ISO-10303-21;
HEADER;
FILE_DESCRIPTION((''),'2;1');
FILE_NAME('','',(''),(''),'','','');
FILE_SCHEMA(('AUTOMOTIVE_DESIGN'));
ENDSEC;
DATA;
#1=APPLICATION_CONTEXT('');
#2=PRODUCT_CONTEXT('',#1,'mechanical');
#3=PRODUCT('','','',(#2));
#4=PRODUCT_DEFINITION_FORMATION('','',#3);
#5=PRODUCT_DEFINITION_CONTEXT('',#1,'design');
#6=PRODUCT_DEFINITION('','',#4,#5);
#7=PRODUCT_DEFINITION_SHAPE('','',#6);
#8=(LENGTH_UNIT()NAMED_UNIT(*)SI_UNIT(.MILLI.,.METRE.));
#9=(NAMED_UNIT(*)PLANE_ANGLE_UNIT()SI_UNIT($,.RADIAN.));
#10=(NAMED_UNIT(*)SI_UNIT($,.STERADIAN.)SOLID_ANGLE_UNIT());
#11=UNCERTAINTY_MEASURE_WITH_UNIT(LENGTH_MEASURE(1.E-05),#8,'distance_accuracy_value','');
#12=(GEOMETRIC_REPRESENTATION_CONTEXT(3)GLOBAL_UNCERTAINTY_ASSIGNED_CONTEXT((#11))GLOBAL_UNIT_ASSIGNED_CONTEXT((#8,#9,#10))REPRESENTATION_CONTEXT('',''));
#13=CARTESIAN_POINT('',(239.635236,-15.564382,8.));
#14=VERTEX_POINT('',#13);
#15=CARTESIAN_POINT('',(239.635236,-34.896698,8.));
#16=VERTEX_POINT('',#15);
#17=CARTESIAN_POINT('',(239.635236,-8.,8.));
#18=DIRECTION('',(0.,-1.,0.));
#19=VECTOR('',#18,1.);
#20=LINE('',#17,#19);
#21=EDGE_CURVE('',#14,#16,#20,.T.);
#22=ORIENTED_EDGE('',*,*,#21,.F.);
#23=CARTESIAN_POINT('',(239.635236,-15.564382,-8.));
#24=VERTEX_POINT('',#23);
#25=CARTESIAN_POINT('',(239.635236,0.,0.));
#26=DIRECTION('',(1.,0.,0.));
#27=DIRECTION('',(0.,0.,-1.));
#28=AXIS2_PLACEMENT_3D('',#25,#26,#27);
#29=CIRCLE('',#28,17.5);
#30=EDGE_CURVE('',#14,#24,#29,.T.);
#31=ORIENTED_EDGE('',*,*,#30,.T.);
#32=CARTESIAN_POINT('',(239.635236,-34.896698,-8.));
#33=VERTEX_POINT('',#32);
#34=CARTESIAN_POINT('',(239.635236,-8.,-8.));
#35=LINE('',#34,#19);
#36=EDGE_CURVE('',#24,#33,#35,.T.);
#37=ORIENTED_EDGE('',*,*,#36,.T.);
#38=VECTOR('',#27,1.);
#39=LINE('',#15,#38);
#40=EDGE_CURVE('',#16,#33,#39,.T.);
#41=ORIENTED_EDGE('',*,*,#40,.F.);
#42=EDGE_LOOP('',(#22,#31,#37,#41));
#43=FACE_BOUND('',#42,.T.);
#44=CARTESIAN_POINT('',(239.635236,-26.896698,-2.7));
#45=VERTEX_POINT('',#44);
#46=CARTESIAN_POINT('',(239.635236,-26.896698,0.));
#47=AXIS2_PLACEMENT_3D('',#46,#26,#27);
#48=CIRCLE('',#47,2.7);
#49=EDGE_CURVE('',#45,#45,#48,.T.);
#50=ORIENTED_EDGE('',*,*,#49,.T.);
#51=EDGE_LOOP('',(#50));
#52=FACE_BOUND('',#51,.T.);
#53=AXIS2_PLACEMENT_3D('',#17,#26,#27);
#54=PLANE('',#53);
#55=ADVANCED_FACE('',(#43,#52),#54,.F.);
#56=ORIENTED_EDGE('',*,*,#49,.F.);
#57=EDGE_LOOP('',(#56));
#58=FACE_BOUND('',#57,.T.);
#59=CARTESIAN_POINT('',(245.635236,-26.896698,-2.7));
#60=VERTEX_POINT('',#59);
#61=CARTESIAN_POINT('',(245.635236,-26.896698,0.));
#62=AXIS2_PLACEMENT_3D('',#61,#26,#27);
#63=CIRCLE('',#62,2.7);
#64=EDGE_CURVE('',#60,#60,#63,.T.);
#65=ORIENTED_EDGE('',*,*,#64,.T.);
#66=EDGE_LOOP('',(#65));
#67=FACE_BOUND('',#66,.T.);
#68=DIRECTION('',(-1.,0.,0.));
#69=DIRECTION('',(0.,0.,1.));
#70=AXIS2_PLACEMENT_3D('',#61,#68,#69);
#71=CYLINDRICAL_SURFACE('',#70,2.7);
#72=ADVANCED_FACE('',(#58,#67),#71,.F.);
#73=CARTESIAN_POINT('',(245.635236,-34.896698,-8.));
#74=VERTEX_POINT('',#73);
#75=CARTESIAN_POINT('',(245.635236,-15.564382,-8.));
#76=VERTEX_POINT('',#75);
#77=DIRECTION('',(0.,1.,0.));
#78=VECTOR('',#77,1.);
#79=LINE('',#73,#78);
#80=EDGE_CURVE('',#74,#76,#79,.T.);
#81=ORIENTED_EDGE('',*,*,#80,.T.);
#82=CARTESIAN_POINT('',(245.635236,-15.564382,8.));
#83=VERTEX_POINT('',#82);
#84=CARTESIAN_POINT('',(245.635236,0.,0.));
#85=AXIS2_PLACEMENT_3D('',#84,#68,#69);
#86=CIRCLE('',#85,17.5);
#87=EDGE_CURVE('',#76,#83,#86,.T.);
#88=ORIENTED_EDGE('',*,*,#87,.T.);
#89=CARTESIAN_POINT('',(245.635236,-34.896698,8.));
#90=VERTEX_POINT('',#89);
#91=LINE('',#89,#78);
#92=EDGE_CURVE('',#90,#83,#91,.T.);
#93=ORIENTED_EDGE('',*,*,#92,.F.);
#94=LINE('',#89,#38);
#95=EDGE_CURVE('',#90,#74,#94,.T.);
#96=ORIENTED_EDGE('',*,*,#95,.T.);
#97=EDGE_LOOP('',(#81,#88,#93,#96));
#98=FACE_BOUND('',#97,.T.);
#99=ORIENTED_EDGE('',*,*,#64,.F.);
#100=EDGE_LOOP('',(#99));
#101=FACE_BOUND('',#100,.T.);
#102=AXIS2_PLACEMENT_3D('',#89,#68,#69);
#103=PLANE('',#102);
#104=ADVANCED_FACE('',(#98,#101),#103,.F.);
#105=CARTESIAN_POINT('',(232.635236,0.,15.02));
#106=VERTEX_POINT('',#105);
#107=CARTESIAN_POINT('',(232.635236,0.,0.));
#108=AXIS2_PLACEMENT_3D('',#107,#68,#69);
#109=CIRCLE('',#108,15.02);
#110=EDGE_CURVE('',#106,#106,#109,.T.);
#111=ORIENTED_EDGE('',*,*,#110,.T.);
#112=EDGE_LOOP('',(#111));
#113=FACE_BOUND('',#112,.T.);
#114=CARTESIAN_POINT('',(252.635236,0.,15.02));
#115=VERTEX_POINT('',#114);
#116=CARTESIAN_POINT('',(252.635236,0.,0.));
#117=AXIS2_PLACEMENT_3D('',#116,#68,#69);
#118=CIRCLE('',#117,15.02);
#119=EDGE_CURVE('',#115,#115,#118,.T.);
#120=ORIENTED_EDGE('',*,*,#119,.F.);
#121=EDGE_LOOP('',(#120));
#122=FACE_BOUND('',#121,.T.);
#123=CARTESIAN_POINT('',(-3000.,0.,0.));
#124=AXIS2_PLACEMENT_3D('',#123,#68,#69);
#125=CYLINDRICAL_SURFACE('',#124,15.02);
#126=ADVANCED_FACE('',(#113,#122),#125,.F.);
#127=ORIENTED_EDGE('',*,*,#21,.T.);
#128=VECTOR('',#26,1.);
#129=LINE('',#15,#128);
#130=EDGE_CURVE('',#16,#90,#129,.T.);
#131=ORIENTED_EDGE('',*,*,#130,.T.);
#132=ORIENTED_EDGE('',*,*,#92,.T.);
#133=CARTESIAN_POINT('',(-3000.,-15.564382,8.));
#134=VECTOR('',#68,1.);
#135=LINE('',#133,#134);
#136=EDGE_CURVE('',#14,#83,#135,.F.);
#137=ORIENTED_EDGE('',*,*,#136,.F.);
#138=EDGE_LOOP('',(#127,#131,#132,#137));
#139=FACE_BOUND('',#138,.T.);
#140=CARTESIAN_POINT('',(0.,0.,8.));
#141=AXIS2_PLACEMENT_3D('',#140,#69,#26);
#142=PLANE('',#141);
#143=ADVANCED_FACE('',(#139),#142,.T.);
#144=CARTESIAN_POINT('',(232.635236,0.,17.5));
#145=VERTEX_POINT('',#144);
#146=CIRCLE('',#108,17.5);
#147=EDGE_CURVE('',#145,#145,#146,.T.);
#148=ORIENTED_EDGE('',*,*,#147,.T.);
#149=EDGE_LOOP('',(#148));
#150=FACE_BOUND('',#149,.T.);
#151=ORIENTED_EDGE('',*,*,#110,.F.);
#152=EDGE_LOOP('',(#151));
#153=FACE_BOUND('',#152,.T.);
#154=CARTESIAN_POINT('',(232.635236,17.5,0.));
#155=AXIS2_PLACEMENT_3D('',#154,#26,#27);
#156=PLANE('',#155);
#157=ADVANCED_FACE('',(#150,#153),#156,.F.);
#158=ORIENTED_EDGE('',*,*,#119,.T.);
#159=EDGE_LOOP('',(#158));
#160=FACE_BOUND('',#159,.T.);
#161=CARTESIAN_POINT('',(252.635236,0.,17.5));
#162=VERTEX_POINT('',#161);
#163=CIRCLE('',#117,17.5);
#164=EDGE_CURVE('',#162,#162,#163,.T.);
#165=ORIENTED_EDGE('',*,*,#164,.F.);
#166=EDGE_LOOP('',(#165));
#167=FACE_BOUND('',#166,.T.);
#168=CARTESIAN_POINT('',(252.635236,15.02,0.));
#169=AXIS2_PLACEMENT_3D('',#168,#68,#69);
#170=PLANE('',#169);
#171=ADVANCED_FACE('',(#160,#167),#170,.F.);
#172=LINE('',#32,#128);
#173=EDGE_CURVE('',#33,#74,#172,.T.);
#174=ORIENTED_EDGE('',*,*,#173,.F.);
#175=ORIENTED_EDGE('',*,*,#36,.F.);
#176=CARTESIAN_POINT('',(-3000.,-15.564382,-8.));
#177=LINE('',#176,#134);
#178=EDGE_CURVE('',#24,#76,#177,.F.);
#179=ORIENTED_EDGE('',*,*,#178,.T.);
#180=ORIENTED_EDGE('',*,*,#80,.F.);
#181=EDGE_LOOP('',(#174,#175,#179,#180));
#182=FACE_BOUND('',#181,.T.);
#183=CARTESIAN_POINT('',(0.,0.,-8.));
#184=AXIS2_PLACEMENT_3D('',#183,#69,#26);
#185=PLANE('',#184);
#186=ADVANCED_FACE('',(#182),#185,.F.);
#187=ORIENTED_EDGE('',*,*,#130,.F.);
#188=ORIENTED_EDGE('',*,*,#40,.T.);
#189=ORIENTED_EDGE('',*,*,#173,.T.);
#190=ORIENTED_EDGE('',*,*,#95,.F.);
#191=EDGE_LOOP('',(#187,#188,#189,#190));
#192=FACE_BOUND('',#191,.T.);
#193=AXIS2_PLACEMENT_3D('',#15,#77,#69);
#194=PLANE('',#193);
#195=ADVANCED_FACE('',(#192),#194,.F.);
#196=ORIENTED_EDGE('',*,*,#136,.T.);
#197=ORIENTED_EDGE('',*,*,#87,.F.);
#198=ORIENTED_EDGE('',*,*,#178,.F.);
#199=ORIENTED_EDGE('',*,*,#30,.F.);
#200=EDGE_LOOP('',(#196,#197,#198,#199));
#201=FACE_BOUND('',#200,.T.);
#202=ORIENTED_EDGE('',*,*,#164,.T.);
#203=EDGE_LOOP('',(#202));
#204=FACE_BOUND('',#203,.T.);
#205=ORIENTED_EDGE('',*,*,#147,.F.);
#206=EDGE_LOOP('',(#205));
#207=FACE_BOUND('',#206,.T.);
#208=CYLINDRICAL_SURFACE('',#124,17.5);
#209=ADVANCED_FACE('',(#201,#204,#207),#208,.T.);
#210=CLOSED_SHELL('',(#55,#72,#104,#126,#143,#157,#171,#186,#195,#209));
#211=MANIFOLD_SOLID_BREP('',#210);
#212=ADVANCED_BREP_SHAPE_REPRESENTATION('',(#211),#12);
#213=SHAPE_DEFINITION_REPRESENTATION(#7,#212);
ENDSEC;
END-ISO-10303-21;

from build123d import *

# Parameters (mm, degrees)
COLLAR_SKETCH_W         = 20
COLLAR_SKETCH_H         = 2.48
TAB_SKETCH_W            = 6
TAB_SKETCH_H            = 26.896697694
TAB_DEPTH               = 8
TUBE_CLEARANCE_SKETCH_W = 8
TUBE_CLEARANCE_SKETCH_H = 15.02
PIN_HOLE_SKETCH_R       = 2.7
PIN_HOLE_DEPTH          = 6


with BuildPart() as part:
    # Collar Sketch → Collar (revolve)
    with BuildSketch(Plane.XY):
        with Locations((242.635235803, 16.26)):
            Rectangle(COLLAR_SKETCH_W, COLLAR_SKETCH_H)
    revolve(axis=Axis((-3000, 0, 0), (1, 0, 0)))

    # Tab Sketch → Tab (add, symmetric)
    with BuildSketch(Plane.XY):
        with Locations((242.635235803, -21.448348847)):
            Rectangle(TAB_SKETCH_W, TAB_SKETCH_H)
    extrude(amount=TAB_DEPTH, both=True)

    # Tube Clearance Sketch → Tube Clearance (revolve, cut)
    with BuildSketch(Plane.XY):
        with Locations((242.635235803, 7.51)):
            Rectangle(TUBE_CLEARANCE_SKETCH_W, TUBE_CLEARANCE_SKETCH_H)
    revolve(axis=Axis((-3000, 0, 0), (1, 0, 0)), mode=Mode.SUBTRACT)

    # Pin Hole Sketch → Pin Hole (cut)
    with BuildSketch(Plane(origin=(239.635235803, 0, 0), x_dir=(0, 0, -1), z_dir=(1, 0, 0))):
        with Locations((0, -26.896697694)):
            Circle(PIN_HOLE_SKETCH_R)
    extrude(amount=PIN_HOLE_DEPTH, mode=Mode.SUBTRACT)


solid = part.part
